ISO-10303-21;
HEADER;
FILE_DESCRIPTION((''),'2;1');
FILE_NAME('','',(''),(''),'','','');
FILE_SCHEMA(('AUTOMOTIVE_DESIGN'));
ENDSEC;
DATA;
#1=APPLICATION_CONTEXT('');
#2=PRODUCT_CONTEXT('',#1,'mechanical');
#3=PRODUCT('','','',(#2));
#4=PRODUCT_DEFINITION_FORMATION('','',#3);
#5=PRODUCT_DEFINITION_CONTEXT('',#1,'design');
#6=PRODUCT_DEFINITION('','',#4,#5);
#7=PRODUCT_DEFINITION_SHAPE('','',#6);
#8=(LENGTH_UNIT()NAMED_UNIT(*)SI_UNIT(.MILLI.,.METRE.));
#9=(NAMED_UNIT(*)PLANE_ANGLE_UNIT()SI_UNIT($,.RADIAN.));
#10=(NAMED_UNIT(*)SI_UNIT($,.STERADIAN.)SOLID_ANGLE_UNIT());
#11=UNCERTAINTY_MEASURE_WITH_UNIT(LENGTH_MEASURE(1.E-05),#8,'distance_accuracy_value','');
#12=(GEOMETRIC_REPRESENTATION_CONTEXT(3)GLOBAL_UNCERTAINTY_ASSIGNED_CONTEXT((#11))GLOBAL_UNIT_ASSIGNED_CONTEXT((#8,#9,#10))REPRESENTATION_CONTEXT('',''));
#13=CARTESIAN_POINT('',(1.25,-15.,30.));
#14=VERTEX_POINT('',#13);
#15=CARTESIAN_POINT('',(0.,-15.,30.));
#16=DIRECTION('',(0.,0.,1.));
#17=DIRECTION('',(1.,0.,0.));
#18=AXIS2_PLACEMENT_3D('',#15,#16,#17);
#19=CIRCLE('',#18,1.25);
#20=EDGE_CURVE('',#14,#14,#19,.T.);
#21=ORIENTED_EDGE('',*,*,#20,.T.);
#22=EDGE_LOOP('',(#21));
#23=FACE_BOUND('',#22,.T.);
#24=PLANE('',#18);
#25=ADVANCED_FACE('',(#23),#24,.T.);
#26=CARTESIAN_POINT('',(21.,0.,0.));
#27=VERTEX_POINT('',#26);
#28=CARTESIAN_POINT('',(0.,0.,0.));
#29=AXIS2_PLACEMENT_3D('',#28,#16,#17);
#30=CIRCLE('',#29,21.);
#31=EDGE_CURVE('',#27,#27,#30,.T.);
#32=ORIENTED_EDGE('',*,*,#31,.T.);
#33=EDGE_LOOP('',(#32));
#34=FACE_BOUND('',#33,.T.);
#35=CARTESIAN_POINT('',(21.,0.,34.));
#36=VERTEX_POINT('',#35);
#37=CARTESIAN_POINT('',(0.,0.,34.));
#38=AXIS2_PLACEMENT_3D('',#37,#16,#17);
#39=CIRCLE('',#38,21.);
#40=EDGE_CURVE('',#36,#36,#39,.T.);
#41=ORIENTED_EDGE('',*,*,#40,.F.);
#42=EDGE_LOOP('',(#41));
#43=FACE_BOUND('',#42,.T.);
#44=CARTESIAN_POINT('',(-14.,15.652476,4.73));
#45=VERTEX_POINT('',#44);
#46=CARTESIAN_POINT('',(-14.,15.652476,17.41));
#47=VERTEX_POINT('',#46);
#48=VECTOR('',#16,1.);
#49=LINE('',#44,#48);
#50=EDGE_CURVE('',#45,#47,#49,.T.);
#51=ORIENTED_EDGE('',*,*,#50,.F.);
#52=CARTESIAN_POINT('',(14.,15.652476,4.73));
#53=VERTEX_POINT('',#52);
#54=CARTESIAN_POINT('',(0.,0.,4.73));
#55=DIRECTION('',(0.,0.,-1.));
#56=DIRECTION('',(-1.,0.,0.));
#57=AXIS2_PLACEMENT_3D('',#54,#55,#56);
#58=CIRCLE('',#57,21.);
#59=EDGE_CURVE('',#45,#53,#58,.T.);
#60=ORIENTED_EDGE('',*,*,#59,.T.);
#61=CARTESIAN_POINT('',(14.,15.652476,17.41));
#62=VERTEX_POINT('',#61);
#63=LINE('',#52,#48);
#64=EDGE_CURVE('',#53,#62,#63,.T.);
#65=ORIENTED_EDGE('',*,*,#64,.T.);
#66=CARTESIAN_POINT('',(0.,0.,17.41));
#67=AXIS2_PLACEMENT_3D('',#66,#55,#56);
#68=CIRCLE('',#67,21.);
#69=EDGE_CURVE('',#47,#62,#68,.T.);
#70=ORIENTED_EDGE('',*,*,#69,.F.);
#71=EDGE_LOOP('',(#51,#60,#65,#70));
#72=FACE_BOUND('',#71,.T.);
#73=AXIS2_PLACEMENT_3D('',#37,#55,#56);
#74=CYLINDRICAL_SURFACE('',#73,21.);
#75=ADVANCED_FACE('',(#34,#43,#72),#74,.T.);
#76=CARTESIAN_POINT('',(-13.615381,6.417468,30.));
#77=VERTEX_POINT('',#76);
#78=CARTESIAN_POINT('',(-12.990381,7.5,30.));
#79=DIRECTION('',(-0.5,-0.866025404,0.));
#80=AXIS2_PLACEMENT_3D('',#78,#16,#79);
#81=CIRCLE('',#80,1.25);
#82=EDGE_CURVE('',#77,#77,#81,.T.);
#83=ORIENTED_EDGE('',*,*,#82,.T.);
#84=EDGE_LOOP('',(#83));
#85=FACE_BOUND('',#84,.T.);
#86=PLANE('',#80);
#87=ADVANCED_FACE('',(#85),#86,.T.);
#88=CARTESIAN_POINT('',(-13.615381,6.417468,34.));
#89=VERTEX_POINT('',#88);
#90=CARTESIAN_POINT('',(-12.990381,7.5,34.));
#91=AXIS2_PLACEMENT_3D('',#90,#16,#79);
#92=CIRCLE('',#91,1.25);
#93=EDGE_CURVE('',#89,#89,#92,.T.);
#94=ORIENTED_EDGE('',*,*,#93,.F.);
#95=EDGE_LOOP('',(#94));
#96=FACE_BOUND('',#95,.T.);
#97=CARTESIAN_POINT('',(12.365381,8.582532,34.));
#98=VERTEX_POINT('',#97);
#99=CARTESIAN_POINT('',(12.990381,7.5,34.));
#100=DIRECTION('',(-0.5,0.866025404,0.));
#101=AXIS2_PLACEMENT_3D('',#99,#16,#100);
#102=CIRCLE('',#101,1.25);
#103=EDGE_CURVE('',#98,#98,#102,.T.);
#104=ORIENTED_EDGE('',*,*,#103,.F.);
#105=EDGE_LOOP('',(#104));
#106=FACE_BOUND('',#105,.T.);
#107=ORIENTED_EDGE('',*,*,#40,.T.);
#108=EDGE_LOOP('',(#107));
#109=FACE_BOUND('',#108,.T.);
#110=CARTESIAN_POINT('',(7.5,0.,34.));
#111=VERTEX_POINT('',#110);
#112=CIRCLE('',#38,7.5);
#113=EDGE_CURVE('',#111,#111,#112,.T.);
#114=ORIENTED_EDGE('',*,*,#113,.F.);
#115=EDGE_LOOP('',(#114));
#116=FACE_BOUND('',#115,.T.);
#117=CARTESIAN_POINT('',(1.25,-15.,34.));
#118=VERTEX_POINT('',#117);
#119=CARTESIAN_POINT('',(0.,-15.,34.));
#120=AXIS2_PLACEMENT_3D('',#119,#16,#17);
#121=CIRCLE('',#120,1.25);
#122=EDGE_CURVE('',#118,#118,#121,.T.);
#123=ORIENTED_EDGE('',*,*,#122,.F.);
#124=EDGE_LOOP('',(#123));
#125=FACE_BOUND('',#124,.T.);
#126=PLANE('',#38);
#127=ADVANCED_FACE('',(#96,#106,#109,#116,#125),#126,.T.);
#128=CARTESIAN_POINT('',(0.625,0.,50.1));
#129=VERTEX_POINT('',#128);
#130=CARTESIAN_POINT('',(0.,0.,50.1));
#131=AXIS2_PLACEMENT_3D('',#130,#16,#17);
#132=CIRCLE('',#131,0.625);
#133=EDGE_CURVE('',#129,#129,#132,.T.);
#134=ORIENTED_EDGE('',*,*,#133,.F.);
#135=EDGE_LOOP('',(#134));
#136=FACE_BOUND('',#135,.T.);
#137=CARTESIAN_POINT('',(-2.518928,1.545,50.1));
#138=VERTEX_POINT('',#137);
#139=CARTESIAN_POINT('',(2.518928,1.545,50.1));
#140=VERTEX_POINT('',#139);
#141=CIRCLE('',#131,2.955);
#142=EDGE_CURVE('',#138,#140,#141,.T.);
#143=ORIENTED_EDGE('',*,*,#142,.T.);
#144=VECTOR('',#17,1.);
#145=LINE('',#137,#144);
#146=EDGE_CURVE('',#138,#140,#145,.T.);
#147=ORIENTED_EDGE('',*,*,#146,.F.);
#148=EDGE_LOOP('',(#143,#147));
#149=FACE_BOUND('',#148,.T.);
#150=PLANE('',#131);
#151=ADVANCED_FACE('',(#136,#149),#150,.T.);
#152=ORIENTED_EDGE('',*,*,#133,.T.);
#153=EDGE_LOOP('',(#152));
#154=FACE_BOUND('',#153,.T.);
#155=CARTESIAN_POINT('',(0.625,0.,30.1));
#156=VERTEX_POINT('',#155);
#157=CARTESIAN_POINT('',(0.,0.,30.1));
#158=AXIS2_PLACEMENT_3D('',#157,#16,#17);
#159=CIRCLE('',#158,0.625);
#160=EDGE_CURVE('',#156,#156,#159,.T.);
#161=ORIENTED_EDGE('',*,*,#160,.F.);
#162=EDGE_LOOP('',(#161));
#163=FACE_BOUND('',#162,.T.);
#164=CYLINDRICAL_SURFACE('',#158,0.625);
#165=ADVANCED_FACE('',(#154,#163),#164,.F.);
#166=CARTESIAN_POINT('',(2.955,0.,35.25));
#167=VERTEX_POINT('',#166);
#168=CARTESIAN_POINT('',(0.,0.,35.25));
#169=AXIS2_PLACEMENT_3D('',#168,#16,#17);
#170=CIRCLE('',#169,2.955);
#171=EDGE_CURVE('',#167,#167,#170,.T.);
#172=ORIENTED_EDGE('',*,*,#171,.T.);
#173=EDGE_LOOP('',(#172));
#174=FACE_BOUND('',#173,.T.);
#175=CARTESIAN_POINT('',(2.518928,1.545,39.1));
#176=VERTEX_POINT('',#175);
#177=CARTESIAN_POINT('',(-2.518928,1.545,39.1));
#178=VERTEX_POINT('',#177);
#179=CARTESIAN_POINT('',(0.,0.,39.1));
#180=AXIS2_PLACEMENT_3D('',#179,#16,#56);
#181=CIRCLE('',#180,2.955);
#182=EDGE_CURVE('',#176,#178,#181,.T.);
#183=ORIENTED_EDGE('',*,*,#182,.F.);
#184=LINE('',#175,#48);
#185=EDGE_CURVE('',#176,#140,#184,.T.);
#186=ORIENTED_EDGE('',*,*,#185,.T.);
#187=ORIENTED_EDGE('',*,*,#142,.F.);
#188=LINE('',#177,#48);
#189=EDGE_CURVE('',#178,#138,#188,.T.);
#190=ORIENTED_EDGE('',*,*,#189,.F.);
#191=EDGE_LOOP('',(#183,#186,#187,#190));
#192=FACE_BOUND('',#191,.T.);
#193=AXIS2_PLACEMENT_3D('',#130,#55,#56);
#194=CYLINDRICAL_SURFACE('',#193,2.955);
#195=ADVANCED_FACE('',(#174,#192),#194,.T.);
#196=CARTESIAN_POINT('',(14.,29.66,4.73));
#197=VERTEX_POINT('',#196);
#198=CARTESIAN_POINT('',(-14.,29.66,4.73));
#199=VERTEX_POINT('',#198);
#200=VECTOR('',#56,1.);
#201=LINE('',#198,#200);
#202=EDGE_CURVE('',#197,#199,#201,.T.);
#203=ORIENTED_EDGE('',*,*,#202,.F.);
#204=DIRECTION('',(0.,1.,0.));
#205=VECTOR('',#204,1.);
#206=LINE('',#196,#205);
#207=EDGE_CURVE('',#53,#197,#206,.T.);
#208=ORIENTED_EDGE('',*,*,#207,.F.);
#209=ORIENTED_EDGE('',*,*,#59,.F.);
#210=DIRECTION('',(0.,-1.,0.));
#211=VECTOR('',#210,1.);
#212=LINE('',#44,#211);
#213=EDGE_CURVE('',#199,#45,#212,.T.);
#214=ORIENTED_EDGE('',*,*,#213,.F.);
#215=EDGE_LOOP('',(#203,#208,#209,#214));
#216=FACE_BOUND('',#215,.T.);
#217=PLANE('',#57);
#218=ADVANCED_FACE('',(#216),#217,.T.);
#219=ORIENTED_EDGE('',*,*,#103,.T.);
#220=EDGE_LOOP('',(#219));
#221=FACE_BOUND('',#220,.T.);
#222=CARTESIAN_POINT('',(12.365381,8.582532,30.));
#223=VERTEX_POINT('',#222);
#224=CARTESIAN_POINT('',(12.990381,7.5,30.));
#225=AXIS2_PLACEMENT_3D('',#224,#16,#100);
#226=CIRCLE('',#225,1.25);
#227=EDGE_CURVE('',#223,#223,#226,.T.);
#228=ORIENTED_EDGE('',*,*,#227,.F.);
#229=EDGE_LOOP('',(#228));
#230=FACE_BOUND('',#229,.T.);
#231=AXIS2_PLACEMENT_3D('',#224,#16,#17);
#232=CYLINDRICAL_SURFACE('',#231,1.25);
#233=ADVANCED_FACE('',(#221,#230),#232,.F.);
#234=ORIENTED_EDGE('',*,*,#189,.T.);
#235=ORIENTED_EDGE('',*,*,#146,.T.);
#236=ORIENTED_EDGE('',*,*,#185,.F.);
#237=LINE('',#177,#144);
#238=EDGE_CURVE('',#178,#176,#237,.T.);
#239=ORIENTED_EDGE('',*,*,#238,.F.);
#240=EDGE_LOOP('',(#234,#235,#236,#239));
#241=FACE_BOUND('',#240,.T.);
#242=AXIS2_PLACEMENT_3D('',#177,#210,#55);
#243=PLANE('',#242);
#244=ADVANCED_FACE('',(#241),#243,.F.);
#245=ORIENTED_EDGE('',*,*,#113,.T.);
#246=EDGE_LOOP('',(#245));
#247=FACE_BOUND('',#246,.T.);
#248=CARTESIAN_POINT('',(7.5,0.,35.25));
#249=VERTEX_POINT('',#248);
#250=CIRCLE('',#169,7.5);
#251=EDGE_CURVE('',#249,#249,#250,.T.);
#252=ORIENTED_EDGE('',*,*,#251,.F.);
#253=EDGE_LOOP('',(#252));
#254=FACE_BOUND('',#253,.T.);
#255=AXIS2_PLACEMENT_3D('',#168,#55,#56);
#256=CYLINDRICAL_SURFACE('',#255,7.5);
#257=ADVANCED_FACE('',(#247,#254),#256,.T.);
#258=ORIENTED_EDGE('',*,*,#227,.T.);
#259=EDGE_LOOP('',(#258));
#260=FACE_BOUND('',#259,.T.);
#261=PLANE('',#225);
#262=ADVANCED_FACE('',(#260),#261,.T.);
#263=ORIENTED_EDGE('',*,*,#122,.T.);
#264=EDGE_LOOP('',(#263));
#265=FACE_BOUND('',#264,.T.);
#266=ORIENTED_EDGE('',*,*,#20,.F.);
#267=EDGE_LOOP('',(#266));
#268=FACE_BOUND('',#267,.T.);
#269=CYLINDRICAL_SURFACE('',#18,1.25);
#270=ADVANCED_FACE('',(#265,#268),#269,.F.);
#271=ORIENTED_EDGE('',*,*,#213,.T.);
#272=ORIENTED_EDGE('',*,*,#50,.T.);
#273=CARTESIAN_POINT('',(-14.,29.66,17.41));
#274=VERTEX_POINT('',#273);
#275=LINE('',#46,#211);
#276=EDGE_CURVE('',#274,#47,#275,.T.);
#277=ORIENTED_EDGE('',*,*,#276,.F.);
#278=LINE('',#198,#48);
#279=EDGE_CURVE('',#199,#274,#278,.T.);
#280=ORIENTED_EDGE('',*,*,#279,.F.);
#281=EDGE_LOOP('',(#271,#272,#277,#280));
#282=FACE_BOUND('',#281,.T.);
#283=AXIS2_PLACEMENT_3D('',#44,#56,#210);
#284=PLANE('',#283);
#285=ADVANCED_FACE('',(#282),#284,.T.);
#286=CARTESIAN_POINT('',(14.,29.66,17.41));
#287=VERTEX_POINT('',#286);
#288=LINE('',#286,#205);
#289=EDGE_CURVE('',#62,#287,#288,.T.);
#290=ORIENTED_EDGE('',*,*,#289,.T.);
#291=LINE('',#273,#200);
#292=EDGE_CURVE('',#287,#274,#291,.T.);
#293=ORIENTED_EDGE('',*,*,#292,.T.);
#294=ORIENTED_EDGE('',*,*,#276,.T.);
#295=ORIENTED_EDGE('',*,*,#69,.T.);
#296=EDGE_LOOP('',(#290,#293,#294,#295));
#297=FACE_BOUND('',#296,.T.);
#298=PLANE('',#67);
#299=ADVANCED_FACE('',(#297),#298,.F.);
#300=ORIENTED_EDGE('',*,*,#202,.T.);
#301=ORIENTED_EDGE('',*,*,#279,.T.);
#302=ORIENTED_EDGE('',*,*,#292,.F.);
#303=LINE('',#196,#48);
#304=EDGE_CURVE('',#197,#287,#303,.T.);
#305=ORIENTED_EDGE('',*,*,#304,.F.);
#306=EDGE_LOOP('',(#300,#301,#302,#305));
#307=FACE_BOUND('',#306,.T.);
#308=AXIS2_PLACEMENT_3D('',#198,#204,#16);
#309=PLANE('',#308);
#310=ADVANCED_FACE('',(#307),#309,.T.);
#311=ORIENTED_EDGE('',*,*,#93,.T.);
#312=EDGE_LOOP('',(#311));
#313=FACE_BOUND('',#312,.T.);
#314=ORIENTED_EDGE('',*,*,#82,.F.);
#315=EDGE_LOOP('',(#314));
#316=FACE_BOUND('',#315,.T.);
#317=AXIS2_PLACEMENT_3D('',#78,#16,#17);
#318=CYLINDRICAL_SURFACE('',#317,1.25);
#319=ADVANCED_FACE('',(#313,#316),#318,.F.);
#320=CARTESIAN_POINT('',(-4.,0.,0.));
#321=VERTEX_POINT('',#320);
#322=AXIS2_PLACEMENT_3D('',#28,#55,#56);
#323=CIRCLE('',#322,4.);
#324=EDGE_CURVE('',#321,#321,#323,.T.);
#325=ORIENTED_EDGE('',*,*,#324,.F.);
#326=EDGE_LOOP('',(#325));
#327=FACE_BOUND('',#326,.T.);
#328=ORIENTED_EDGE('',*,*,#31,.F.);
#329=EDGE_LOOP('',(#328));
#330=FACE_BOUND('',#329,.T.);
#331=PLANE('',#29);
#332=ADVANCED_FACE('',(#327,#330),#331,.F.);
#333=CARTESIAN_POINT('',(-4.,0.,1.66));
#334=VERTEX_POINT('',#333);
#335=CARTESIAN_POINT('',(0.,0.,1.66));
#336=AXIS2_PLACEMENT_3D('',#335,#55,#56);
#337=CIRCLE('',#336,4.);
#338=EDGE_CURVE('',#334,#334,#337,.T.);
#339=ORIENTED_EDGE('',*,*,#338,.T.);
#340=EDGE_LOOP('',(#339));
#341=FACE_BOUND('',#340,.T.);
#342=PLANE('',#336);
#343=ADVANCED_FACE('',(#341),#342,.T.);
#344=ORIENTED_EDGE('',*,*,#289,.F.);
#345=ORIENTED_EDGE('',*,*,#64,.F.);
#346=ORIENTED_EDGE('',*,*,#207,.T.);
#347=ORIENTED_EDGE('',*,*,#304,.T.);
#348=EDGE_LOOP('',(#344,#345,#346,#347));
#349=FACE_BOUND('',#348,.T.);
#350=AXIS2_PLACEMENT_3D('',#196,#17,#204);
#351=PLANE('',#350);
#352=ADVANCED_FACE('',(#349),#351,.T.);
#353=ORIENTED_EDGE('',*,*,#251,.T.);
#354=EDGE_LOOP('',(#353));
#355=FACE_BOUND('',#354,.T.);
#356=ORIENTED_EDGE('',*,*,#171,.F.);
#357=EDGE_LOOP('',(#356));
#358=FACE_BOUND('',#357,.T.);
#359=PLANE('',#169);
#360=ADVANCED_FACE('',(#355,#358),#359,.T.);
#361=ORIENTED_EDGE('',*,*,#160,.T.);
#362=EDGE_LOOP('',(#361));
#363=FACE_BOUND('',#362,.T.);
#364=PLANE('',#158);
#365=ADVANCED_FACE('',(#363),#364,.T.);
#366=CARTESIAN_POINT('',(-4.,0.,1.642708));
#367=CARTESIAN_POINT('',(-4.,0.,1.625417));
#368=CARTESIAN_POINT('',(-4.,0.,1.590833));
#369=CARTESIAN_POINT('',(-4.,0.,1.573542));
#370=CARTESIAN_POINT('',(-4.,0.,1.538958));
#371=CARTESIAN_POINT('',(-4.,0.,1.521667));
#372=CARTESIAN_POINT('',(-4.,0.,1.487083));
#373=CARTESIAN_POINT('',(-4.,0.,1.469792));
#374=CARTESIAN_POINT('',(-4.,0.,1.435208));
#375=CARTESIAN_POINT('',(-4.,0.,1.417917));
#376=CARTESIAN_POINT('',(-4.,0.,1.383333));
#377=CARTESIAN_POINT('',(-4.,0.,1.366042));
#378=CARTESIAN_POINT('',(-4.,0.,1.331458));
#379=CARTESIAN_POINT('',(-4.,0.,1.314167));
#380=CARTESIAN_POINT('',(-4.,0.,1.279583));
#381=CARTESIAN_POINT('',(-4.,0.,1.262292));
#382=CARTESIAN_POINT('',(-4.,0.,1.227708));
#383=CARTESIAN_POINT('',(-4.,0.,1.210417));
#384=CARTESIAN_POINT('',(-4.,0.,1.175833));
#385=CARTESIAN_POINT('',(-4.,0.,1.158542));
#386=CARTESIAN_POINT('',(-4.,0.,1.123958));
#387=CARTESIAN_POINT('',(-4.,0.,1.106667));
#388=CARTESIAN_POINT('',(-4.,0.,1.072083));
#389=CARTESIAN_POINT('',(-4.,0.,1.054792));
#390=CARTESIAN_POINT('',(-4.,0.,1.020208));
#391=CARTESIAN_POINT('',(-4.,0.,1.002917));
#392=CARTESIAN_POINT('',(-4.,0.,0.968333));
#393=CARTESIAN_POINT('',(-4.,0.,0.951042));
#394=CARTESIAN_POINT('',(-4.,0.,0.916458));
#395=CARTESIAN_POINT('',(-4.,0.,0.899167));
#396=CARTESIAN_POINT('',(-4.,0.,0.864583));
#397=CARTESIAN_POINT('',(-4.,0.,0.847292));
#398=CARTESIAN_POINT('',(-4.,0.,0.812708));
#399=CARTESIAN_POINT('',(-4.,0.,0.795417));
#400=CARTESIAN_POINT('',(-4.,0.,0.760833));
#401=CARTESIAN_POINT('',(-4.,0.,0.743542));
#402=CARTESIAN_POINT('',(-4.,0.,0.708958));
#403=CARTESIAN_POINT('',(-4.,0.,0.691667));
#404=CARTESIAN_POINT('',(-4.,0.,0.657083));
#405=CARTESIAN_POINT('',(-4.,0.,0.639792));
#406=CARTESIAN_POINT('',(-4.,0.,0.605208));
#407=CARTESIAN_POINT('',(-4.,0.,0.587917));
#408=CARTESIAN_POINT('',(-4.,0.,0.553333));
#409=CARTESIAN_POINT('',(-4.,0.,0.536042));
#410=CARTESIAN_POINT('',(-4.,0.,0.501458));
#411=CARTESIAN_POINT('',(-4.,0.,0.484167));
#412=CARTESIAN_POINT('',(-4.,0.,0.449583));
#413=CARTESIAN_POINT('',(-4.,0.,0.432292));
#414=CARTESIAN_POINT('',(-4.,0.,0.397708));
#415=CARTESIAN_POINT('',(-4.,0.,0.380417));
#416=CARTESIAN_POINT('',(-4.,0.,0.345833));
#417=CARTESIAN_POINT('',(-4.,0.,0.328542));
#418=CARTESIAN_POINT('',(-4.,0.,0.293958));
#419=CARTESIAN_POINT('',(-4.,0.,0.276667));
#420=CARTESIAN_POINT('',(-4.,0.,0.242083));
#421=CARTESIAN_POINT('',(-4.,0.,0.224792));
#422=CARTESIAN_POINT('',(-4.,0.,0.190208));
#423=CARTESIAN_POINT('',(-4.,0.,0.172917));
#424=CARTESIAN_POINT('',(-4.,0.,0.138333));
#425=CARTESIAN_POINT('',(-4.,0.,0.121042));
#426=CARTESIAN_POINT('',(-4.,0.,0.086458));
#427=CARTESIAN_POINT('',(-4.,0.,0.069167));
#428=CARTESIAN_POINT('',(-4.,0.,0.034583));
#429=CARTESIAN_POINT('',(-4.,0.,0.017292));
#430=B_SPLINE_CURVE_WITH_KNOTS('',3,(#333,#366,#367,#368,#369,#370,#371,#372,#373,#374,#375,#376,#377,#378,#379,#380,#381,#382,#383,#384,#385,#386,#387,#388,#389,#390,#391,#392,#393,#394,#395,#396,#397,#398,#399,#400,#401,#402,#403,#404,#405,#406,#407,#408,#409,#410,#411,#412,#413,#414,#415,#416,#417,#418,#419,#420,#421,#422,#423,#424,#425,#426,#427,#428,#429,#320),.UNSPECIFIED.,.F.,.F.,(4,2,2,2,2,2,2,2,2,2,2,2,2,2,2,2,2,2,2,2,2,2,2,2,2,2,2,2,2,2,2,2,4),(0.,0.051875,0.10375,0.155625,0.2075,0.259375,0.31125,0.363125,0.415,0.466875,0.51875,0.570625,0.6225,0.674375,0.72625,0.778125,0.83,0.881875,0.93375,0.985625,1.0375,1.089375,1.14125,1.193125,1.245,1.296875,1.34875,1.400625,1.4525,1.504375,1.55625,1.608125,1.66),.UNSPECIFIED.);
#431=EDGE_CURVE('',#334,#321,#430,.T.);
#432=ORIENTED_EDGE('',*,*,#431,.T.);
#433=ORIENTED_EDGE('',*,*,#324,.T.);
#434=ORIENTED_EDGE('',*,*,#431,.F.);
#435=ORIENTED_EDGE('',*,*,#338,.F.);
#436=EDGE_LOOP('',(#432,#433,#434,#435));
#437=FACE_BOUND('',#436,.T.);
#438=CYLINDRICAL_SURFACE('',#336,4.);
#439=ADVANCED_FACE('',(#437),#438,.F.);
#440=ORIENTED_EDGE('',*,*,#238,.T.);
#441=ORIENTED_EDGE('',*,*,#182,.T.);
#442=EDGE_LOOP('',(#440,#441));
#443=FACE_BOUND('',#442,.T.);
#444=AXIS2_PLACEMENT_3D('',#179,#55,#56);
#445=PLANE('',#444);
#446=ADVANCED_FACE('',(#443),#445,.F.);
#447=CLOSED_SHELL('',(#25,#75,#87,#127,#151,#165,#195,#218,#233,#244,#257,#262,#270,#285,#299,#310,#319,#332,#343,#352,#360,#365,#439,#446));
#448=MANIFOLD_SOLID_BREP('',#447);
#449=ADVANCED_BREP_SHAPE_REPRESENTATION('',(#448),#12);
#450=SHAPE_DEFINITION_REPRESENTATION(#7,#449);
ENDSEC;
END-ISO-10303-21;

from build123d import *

# Parameters (mm, degrees)
SKETCH1_R           = 21
BOSS_EXTRUDE1_DEPTH = 34
SKETCH2_R           = 7.5
BOSS_EXTRUDE2_DEPTH = 1.25
SKETCH3_R           = 2.955
BOSS_EXTRUDE3_DEPTH = 14.85
CUT_EXTRUDE1_START  = -11
CUT_EXTRUDE1_DEPTH  = 11
SKETCH5_R           = 0.625
CUT_EXTRUDE2_DEPTH  = 20
SKETCH6_R           = 1.25
CUT_EXTRUDE3_DEPTH  = 4
CIRPATTERN1_COUNT   = 3
BOSS_EXTRUDE4_START = -29.27
BOSS_EXTRUDE4_DEPTH = 12.68
SKETCH10_R          = 4
CUT_EXTRUDE4_DEPTH  = 1.66


with BuildPart() as part:
    # Sketch1 → Boss-Extrude1 (new body)
    with BuildSketch(Plane.XY):
        Circle(SKETCH1_R)
    extrude(amount=BOSS_EXTRUDE1_DEPTH)

    # Sketch2 → Boss-Extrude2 (add)
    with BuildSketch(Plane.XY.offset(34)):
        Circle(SKETCH2_R)
    extrude(amount=BOSS_EXTRUDE2_DEPTH)

    # Sketch3 → Boss-Extrude3 (add)
    with BuildSketch(Plane.XY.offset(35.25)):
        Circle(SKETCH3_R)
    extrude(amount=BOSS_EXTRUDE3_DEPTH)

    # Sketch4 → Cut-Extrude1 (cut)
    with BuildSketch(Plane.XY.offset(50.1).offset(CUT_EXTRUDE1_START)):
        with BuildLine():
            Line((-2.518928344, 1.545), (2.518928344, 1.545))
            ThreePointArc((2.518928344, 1.545), (0, 2.955), (-2.518928344, 1.545))
        make_face()
    extrude(amount=CUT_EXTRUDE1_DEPTH, mode=Mode.SUBTRACT)

    # Sketch5 → Cut-Extrude2 (cut)
    with BuildSketch(Plane.XY.offset(50.1)):
        Circle(SKETCH5_R)
    extrude(amount=-CUT_EXTRUDE2_DEPTH, mode=Mode.SUBTRACT)

    # Sketch6 → Cut-Extrude3 (cut)
    with BuildSketch(Plane.XY.offset(34)):
        with Locations((0, -15)):
            Circle(SKETCH6_R)
    cut_extrude3 = extrude(amount=-CUT_EXTRUDE3_DEPTH, mode=Mode.SUBTRACT)

    # CirPattern1: Cut-Extrude3 ×3 about axis
    cirpattern1_axis = Axis((0, 0, 0), (0, 0, 1))
    for i in range(1, CIRPATTERN1_COUNT):
        add(cut_extrude3.rotate(cirpattern1_axis, i * 360 / CIRPATTERN1_COUNT), mode=Mode.SUBTRACT)

    # Sketch9 → Boss-Extrude4 (add)
    with BuildSketch(Plane.XY.offset(34).offset(BOSS_EXTRUDE4_START)):
        with BuildLine():
            Line((-14, 15.652475842), (-14, 29.66))
            Line((-14, 29.66), (14, 29.66))
            Line((14, 29.66), (14, 15.652475842))
            ThreePointArc((14, 15.652475842), (0, 21), (-14, 15.652475842))
        make_face()
    extrude(amount=BOSS_EXTRUDE4_DEPTH)

    # Sketch10 → Cut-Extrude4 (cut)
    with BuildSketch(Plane(origin=(0, 0, 0), x_dir=(-1, 0, 0), z_dir=(0, 0, -1))):
        Circle(SKETCH10_R)
    extrude(amount=-CUT_EXTRUDE4_DEPTH, mode=Mode.SUBTRACT)


solid = part.part
